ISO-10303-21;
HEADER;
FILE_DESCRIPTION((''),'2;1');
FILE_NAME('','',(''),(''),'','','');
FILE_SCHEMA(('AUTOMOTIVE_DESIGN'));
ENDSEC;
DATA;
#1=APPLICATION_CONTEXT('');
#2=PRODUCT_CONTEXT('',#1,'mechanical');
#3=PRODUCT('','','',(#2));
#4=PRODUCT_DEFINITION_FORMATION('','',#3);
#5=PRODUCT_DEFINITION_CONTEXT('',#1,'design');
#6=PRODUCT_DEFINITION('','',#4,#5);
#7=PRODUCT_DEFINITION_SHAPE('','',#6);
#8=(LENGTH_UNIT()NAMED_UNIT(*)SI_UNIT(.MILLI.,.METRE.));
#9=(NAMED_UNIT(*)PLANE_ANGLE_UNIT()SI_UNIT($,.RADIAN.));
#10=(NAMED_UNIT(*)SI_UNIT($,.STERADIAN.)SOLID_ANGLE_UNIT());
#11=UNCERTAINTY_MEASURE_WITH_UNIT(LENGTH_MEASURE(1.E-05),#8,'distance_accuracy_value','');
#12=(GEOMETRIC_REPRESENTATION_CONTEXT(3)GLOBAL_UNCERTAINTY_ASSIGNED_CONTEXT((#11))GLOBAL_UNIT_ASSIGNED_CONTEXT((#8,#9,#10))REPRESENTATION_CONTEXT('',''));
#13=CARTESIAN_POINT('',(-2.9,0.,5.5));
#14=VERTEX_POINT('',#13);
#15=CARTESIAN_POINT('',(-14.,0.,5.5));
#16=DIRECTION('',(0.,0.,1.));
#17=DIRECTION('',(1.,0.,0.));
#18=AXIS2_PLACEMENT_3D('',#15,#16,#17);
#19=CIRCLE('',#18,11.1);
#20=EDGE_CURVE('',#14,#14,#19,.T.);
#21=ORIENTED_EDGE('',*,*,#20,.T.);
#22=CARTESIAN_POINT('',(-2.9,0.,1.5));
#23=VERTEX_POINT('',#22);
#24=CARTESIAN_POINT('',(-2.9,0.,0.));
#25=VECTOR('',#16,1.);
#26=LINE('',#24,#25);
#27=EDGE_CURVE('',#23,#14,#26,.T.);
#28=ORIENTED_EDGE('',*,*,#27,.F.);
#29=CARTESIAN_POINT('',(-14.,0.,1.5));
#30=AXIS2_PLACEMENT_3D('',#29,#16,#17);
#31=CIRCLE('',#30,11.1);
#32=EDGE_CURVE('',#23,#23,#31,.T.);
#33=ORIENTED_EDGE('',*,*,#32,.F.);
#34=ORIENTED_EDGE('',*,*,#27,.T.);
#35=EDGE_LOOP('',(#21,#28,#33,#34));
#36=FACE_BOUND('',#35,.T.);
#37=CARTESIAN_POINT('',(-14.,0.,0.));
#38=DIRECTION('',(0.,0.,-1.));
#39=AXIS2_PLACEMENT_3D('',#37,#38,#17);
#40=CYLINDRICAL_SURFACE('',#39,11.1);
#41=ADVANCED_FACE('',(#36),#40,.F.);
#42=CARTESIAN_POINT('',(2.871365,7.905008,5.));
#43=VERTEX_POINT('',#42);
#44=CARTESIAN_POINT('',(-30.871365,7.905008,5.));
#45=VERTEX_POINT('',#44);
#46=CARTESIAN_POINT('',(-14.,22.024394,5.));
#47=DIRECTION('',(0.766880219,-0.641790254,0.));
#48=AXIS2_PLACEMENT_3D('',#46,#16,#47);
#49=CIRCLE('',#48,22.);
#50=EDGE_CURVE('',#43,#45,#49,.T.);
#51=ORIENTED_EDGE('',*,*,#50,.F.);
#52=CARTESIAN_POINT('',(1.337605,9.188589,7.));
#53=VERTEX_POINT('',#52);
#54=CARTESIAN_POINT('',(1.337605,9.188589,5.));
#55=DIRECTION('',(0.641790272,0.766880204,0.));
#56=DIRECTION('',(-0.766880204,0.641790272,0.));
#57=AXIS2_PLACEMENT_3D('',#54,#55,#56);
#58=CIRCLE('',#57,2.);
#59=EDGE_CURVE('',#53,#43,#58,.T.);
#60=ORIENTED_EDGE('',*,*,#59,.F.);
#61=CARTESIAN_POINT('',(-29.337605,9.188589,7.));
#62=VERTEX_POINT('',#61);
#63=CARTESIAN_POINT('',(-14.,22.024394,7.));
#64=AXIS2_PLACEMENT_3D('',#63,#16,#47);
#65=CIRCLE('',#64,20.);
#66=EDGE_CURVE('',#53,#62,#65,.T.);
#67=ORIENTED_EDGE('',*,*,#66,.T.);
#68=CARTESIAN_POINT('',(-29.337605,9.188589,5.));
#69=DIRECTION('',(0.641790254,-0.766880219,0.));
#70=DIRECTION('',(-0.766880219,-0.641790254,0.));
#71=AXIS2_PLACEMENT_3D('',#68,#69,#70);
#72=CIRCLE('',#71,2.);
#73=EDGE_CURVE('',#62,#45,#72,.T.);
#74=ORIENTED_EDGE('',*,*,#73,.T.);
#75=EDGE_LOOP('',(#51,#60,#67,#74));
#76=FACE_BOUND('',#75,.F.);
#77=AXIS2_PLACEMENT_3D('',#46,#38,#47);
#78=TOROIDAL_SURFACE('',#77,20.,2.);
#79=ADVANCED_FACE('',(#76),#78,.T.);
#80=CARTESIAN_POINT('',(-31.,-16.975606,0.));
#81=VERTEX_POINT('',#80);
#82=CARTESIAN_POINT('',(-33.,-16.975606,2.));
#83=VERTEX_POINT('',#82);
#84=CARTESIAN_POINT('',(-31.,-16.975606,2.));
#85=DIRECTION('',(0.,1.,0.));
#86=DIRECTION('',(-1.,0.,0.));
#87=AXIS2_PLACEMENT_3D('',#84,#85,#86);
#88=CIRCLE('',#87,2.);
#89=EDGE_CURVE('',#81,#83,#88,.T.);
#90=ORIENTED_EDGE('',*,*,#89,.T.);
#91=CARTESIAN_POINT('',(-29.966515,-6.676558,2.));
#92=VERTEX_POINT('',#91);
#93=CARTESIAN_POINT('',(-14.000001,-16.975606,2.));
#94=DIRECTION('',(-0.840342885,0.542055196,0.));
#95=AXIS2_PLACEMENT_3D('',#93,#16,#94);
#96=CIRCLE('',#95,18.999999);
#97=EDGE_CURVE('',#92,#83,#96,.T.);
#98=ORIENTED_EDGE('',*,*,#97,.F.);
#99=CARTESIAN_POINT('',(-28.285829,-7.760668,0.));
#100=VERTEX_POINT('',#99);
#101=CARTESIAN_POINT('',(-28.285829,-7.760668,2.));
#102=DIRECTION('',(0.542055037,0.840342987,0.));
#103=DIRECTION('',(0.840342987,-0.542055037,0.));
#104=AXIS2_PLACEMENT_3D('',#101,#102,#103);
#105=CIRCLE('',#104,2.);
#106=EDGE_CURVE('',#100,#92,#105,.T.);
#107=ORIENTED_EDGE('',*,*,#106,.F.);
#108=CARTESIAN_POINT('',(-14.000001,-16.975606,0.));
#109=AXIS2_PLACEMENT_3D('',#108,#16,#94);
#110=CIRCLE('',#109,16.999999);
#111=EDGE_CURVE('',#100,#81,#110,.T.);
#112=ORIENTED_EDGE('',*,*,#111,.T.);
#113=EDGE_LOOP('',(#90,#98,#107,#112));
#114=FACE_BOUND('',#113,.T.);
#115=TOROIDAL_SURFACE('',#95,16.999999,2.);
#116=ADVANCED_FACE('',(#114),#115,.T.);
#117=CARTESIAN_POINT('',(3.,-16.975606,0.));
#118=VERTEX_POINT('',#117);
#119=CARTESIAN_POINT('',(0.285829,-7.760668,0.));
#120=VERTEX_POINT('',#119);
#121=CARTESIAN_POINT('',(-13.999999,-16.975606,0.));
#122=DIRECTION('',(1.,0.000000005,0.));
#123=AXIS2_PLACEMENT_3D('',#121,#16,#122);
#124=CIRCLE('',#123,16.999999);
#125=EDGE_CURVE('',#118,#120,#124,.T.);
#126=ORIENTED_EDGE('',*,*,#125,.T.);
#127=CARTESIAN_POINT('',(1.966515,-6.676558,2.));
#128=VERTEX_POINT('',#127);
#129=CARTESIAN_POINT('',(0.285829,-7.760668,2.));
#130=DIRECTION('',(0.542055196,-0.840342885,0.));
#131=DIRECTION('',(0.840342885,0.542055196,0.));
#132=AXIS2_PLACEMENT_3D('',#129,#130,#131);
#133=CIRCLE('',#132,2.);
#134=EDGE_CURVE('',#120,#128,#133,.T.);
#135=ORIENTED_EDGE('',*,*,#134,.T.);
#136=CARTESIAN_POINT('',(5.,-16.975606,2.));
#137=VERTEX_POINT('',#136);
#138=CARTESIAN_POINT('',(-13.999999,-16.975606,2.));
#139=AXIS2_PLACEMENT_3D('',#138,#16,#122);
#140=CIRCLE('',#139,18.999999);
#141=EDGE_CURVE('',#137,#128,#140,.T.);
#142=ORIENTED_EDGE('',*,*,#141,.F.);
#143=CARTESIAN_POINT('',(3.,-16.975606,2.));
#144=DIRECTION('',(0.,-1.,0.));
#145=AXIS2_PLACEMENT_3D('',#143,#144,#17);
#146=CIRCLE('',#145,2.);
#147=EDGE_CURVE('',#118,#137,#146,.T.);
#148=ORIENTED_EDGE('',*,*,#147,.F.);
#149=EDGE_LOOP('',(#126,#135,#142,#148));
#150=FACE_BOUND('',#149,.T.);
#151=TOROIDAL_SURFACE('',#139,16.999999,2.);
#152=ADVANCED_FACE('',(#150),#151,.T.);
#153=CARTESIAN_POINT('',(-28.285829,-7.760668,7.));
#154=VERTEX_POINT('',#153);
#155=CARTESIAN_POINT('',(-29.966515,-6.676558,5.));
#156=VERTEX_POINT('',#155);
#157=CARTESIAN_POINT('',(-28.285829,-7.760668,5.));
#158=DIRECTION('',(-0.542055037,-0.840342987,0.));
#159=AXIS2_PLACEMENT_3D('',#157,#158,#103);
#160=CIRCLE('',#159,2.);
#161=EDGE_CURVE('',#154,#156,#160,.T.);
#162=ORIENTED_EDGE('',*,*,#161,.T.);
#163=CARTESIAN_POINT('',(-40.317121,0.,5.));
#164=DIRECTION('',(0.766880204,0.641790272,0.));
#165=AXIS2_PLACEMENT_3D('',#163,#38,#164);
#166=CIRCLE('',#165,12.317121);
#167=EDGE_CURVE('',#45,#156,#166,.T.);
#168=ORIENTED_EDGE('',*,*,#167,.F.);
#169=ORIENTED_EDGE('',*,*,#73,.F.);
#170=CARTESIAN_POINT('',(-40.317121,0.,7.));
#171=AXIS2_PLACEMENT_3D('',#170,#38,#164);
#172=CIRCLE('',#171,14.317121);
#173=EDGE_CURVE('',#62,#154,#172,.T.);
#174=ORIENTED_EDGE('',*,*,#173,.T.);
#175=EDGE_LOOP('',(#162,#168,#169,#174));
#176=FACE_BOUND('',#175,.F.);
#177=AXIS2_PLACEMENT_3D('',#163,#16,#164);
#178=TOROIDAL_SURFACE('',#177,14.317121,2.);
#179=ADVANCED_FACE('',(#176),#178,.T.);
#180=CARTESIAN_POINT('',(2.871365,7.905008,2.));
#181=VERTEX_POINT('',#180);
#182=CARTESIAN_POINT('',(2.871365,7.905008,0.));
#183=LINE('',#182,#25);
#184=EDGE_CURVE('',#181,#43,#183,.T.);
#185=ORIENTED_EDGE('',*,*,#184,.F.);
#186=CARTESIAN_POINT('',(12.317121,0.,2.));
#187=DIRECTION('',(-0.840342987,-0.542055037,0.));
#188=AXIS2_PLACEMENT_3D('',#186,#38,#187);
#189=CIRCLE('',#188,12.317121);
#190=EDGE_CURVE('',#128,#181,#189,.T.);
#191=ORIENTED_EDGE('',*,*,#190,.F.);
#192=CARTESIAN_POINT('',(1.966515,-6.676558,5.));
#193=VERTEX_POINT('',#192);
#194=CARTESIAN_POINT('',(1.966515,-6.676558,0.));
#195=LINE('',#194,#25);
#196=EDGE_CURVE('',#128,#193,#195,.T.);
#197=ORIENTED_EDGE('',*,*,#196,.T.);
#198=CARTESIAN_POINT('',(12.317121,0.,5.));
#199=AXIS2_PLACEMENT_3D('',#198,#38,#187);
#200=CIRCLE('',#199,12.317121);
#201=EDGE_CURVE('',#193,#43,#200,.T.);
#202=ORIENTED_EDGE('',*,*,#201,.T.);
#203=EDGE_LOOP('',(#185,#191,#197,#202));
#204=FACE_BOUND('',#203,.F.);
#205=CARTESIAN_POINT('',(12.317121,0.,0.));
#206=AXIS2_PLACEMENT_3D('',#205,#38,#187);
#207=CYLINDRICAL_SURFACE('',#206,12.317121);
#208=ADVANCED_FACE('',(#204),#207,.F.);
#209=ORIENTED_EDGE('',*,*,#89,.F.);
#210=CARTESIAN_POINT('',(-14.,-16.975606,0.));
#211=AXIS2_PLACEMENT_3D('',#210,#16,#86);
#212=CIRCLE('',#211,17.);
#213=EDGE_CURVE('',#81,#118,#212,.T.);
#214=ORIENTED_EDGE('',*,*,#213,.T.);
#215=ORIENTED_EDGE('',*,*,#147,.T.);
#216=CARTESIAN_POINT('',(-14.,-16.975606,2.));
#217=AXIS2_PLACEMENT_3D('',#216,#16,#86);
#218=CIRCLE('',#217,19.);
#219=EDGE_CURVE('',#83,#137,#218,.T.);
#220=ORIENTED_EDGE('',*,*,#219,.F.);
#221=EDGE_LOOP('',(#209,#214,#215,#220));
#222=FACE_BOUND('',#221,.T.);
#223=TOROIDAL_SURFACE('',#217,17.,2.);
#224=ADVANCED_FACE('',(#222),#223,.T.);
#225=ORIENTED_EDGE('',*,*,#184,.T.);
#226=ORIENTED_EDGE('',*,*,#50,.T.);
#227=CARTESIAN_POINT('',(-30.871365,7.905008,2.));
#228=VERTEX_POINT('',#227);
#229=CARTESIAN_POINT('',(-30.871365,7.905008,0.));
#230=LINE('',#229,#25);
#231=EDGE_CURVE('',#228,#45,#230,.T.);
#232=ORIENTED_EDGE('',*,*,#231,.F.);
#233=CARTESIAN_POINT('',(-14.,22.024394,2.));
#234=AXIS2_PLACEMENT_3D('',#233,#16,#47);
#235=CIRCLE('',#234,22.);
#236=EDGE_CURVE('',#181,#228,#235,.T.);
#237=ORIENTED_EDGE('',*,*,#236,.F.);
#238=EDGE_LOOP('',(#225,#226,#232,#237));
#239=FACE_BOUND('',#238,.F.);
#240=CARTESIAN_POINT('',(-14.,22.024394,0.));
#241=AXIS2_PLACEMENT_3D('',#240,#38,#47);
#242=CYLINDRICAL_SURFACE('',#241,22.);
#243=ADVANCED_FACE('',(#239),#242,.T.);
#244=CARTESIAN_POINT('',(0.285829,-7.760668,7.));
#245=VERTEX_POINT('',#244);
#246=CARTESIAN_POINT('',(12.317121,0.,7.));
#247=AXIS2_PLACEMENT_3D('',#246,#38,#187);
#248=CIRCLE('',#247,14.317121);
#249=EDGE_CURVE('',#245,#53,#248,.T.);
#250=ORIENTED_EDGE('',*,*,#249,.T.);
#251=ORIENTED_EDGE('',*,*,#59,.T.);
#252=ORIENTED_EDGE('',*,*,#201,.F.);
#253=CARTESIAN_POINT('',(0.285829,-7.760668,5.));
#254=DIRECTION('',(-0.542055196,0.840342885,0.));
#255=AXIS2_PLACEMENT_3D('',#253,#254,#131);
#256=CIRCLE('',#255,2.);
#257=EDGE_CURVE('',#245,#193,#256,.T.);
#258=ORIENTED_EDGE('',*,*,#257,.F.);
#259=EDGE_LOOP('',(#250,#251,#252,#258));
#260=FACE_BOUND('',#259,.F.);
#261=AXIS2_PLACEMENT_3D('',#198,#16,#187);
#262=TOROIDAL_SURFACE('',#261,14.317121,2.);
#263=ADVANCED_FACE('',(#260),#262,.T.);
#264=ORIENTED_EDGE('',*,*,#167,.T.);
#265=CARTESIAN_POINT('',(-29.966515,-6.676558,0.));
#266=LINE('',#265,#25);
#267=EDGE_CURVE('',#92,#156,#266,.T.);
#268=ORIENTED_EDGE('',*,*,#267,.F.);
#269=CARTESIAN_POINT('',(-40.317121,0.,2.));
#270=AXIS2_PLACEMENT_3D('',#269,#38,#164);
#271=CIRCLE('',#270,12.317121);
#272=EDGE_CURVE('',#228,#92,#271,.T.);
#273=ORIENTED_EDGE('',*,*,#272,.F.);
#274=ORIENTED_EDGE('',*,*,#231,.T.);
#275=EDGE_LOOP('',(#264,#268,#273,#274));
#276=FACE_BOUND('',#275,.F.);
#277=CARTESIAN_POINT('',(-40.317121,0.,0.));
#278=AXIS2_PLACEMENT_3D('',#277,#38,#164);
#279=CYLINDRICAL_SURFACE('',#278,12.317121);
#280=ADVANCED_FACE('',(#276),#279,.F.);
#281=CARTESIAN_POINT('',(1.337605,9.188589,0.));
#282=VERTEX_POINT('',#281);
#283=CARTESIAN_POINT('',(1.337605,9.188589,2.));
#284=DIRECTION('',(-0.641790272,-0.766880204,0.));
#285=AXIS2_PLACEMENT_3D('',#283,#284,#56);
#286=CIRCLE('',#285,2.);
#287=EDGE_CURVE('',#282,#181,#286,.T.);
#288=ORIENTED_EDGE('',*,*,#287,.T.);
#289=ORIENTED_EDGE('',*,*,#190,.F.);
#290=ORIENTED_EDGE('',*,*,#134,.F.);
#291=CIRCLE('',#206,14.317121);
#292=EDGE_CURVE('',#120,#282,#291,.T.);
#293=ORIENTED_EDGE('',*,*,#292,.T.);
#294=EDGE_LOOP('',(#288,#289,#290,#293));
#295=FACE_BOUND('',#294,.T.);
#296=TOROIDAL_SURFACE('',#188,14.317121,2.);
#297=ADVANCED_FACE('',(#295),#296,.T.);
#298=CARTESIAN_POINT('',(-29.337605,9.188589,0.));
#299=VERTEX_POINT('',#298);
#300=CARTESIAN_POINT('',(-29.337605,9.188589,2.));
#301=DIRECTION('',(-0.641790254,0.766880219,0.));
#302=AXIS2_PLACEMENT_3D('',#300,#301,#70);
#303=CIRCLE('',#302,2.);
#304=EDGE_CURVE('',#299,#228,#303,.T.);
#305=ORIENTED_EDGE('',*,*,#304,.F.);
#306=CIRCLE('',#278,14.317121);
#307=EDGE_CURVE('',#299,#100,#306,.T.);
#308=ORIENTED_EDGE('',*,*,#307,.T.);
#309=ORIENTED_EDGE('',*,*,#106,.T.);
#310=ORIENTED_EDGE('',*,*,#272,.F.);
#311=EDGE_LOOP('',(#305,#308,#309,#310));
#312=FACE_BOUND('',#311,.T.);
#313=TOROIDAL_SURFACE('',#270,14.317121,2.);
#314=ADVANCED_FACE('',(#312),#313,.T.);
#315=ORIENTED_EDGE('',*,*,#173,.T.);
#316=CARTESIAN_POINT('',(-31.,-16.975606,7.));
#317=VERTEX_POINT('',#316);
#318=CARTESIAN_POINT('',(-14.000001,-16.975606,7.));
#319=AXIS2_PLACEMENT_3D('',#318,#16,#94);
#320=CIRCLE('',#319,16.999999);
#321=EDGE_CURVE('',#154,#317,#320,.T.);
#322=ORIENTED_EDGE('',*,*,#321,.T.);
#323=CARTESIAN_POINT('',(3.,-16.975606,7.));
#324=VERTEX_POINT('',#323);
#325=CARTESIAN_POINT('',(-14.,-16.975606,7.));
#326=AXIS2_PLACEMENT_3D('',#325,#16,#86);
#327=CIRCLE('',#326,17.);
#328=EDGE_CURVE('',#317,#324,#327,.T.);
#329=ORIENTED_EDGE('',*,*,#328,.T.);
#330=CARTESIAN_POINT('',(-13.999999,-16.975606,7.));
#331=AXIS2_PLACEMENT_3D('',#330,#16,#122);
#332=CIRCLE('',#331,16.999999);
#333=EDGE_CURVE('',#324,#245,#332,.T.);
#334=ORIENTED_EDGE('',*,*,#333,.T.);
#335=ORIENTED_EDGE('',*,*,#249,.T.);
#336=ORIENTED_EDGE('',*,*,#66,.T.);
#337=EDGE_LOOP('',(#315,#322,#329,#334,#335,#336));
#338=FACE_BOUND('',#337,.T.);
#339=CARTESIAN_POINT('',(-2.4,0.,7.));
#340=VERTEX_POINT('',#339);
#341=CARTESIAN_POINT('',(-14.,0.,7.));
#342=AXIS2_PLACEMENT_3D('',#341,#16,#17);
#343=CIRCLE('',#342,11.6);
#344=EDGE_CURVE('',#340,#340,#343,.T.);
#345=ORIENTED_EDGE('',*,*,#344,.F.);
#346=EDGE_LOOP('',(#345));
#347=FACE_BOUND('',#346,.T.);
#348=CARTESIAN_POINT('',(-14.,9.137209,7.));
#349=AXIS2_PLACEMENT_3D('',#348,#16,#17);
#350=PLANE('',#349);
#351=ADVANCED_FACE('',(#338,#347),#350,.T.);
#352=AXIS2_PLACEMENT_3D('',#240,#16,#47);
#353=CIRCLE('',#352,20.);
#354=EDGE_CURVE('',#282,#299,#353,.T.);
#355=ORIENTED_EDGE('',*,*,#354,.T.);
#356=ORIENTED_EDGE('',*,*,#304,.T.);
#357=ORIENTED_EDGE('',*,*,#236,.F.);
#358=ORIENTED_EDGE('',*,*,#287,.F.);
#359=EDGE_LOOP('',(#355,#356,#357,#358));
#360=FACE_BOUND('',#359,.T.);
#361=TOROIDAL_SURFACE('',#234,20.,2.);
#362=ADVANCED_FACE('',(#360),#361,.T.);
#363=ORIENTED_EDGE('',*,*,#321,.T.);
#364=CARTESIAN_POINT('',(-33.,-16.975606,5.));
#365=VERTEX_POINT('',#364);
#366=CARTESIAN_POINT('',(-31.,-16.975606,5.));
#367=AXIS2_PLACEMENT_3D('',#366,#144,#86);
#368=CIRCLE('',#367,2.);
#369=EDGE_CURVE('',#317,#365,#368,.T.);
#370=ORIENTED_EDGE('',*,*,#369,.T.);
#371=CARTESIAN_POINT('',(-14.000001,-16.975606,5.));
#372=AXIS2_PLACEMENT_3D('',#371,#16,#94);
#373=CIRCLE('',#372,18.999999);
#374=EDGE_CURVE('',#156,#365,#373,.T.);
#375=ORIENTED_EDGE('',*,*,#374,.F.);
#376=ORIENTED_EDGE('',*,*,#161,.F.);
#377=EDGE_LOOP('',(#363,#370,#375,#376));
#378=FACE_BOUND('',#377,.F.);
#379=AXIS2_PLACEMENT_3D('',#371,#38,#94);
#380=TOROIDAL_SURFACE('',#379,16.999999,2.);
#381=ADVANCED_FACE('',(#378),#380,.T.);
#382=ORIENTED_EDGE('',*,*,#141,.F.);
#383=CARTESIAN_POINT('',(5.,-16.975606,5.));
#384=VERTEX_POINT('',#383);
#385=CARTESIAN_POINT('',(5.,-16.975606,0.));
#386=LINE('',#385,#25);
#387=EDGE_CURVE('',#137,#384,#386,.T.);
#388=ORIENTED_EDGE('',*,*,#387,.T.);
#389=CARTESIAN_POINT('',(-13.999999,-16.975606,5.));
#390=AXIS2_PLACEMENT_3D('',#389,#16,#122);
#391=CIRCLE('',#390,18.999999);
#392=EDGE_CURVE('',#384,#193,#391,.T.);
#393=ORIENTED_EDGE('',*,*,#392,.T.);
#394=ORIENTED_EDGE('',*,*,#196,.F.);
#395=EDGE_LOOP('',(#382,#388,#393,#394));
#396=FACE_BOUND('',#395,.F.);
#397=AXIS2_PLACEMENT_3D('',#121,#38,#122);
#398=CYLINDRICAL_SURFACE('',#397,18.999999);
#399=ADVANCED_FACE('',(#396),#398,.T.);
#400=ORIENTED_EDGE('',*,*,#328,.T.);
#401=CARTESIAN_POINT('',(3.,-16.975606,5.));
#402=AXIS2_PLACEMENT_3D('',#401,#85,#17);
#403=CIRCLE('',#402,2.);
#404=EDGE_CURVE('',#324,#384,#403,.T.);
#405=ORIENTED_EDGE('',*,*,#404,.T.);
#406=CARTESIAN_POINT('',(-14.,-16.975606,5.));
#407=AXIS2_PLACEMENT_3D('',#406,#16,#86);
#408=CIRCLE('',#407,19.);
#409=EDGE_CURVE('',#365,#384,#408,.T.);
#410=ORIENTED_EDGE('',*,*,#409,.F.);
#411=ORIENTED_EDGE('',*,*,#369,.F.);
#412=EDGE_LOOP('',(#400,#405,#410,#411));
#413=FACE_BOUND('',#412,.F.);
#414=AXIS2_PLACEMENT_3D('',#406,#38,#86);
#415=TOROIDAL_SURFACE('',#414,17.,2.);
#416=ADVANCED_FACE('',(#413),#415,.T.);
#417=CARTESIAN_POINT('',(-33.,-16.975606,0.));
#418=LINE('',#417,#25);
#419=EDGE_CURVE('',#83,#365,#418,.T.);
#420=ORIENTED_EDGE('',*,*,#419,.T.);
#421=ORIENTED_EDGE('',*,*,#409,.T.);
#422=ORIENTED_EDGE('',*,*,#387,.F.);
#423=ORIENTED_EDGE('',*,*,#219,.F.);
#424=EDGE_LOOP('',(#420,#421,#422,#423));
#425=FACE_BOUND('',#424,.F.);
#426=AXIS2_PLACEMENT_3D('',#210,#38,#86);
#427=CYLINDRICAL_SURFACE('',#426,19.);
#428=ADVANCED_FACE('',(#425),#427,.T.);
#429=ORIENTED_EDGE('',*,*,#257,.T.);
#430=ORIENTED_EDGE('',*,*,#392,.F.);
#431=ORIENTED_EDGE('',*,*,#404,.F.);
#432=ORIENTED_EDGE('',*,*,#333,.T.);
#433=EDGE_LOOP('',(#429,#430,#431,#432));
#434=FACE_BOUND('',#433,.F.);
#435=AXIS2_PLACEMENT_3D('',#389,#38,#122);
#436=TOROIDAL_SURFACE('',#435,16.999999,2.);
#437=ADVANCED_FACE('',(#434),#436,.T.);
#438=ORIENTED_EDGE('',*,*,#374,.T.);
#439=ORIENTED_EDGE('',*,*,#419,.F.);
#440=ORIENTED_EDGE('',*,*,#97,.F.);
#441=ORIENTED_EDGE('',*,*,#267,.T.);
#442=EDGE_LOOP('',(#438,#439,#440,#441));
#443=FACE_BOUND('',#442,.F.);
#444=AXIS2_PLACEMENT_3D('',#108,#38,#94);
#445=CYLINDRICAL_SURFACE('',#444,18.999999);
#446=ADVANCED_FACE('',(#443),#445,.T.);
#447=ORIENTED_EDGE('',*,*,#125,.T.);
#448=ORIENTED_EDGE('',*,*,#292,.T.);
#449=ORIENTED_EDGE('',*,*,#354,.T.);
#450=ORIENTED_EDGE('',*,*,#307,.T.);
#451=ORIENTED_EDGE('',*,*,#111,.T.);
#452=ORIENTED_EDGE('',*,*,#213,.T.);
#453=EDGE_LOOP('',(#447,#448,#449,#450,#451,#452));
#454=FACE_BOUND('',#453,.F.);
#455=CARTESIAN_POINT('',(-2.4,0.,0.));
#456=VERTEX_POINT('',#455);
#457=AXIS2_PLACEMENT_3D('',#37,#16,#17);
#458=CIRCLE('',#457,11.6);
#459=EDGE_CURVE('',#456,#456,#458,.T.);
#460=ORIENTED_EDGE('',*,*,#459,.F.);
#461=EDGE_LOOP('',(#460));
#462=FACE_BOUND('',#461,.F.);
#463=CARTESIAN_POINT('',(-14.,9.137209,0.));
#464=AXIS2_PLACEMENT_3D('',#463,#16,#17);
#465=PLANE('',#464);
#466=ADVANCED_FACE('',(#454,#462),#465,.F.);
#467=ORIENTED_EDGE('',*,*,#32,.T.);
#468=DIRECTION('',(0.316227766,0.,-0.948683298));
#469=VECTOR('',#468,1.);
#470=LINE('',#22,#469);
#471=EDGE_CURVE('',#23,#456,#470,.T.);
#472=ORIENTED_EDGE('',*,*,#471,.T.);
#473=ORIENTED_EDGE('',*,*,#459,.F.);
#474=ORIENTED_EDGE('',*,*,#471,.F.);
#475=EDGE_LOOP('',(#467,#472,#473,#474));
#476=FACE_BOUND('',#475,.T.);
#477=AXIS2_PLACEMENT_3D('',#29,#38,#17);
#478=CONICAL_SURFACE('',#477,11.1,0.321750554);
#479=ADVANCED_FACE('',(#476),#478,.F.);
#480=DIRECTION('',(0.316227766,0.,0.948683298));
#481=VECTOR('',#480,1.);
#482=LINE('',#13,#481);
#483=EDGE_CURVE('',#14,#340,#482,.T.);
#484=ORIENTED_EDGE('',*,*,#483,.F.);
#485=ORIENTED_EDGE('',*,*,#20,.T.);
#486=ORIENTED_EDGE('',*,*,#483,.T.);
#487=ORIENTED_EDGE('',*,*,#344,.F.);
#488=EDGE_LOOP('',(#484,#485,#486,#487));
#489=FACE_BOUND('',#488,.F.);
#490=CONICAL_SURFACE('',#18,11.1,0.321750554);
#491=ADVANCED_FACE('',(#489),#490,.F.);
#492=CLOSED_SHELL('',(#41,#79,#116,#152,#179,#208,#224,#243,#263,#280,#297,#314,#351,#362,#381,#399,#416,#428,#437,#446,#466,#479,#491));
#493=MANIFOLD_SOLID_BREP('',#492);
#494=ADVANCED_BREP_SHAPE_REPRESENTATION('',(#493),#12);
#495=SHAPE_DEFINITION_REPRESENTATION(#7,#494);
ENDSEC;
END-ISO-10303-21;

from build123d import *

# Parameters (mm, degrees)
F0_R     = 11.1
F1_DEPTH = 7
F2_SIZE2 = 0.5
F2_SIZE  = 1.5
F3_R     = 2


with BuildPart() as f1:
    # F0 (on Top) → F1 (new body)
    with BuildSketch(Plane.XY):
        with BuildLine():
            ThreePointArc((-30.871365, 7.905008), (-28.023647, 0.762863), (-29.966515, -6.676558))
            ThreePointArc((-29.966515, -6.676558), (-32.225858, -11.607357), (-33, -16.975606))
            Line((-33, -16.975606), (5, -16.975606))
            ThreePointArc((5, -16.975606), (4.225858, -11.607357), (1.966515, -6.676558))
            ThreePointArc((1.966515, -6.676558), (0.023647, 0.762863), (2.871365, 7.905008))
            ThreePointArc((2.871365, 7.905008), (-14, 44.024394), (-30.871365, 7.905008))
        make_face()
        with Locations((-14, 0)):
            Circle(F0_R, mode=Mode.SUBTRACT)
        with BuildLine():
            Line((5, -16.975606), (-33, -16.975606))
            ThreePointArc((-33, -16.975606), (-14, -35.975606), (5, -16.975606))
        make_face()
    extrude(amount=F1_DEPTH)

    # F2
    f2_edges = [f1.edges().sort_by_distance(p)[0] for p in [
        (-25.1, 0, 7),
        (-25.1, 0, 0),
    ]]
    chamfer(f2_edges, length=F2_SIZE, length2=F2_SIZE2)

    # F3
    f3_edges = [f1.edges().sort_by_distance(p)[0] for p in [
        (-14, -35.975606, 7),
        (-14, -35.975606, 0),
    ]]
    fillet(f3_edges, radius=F3_R)


solid = f1.part
